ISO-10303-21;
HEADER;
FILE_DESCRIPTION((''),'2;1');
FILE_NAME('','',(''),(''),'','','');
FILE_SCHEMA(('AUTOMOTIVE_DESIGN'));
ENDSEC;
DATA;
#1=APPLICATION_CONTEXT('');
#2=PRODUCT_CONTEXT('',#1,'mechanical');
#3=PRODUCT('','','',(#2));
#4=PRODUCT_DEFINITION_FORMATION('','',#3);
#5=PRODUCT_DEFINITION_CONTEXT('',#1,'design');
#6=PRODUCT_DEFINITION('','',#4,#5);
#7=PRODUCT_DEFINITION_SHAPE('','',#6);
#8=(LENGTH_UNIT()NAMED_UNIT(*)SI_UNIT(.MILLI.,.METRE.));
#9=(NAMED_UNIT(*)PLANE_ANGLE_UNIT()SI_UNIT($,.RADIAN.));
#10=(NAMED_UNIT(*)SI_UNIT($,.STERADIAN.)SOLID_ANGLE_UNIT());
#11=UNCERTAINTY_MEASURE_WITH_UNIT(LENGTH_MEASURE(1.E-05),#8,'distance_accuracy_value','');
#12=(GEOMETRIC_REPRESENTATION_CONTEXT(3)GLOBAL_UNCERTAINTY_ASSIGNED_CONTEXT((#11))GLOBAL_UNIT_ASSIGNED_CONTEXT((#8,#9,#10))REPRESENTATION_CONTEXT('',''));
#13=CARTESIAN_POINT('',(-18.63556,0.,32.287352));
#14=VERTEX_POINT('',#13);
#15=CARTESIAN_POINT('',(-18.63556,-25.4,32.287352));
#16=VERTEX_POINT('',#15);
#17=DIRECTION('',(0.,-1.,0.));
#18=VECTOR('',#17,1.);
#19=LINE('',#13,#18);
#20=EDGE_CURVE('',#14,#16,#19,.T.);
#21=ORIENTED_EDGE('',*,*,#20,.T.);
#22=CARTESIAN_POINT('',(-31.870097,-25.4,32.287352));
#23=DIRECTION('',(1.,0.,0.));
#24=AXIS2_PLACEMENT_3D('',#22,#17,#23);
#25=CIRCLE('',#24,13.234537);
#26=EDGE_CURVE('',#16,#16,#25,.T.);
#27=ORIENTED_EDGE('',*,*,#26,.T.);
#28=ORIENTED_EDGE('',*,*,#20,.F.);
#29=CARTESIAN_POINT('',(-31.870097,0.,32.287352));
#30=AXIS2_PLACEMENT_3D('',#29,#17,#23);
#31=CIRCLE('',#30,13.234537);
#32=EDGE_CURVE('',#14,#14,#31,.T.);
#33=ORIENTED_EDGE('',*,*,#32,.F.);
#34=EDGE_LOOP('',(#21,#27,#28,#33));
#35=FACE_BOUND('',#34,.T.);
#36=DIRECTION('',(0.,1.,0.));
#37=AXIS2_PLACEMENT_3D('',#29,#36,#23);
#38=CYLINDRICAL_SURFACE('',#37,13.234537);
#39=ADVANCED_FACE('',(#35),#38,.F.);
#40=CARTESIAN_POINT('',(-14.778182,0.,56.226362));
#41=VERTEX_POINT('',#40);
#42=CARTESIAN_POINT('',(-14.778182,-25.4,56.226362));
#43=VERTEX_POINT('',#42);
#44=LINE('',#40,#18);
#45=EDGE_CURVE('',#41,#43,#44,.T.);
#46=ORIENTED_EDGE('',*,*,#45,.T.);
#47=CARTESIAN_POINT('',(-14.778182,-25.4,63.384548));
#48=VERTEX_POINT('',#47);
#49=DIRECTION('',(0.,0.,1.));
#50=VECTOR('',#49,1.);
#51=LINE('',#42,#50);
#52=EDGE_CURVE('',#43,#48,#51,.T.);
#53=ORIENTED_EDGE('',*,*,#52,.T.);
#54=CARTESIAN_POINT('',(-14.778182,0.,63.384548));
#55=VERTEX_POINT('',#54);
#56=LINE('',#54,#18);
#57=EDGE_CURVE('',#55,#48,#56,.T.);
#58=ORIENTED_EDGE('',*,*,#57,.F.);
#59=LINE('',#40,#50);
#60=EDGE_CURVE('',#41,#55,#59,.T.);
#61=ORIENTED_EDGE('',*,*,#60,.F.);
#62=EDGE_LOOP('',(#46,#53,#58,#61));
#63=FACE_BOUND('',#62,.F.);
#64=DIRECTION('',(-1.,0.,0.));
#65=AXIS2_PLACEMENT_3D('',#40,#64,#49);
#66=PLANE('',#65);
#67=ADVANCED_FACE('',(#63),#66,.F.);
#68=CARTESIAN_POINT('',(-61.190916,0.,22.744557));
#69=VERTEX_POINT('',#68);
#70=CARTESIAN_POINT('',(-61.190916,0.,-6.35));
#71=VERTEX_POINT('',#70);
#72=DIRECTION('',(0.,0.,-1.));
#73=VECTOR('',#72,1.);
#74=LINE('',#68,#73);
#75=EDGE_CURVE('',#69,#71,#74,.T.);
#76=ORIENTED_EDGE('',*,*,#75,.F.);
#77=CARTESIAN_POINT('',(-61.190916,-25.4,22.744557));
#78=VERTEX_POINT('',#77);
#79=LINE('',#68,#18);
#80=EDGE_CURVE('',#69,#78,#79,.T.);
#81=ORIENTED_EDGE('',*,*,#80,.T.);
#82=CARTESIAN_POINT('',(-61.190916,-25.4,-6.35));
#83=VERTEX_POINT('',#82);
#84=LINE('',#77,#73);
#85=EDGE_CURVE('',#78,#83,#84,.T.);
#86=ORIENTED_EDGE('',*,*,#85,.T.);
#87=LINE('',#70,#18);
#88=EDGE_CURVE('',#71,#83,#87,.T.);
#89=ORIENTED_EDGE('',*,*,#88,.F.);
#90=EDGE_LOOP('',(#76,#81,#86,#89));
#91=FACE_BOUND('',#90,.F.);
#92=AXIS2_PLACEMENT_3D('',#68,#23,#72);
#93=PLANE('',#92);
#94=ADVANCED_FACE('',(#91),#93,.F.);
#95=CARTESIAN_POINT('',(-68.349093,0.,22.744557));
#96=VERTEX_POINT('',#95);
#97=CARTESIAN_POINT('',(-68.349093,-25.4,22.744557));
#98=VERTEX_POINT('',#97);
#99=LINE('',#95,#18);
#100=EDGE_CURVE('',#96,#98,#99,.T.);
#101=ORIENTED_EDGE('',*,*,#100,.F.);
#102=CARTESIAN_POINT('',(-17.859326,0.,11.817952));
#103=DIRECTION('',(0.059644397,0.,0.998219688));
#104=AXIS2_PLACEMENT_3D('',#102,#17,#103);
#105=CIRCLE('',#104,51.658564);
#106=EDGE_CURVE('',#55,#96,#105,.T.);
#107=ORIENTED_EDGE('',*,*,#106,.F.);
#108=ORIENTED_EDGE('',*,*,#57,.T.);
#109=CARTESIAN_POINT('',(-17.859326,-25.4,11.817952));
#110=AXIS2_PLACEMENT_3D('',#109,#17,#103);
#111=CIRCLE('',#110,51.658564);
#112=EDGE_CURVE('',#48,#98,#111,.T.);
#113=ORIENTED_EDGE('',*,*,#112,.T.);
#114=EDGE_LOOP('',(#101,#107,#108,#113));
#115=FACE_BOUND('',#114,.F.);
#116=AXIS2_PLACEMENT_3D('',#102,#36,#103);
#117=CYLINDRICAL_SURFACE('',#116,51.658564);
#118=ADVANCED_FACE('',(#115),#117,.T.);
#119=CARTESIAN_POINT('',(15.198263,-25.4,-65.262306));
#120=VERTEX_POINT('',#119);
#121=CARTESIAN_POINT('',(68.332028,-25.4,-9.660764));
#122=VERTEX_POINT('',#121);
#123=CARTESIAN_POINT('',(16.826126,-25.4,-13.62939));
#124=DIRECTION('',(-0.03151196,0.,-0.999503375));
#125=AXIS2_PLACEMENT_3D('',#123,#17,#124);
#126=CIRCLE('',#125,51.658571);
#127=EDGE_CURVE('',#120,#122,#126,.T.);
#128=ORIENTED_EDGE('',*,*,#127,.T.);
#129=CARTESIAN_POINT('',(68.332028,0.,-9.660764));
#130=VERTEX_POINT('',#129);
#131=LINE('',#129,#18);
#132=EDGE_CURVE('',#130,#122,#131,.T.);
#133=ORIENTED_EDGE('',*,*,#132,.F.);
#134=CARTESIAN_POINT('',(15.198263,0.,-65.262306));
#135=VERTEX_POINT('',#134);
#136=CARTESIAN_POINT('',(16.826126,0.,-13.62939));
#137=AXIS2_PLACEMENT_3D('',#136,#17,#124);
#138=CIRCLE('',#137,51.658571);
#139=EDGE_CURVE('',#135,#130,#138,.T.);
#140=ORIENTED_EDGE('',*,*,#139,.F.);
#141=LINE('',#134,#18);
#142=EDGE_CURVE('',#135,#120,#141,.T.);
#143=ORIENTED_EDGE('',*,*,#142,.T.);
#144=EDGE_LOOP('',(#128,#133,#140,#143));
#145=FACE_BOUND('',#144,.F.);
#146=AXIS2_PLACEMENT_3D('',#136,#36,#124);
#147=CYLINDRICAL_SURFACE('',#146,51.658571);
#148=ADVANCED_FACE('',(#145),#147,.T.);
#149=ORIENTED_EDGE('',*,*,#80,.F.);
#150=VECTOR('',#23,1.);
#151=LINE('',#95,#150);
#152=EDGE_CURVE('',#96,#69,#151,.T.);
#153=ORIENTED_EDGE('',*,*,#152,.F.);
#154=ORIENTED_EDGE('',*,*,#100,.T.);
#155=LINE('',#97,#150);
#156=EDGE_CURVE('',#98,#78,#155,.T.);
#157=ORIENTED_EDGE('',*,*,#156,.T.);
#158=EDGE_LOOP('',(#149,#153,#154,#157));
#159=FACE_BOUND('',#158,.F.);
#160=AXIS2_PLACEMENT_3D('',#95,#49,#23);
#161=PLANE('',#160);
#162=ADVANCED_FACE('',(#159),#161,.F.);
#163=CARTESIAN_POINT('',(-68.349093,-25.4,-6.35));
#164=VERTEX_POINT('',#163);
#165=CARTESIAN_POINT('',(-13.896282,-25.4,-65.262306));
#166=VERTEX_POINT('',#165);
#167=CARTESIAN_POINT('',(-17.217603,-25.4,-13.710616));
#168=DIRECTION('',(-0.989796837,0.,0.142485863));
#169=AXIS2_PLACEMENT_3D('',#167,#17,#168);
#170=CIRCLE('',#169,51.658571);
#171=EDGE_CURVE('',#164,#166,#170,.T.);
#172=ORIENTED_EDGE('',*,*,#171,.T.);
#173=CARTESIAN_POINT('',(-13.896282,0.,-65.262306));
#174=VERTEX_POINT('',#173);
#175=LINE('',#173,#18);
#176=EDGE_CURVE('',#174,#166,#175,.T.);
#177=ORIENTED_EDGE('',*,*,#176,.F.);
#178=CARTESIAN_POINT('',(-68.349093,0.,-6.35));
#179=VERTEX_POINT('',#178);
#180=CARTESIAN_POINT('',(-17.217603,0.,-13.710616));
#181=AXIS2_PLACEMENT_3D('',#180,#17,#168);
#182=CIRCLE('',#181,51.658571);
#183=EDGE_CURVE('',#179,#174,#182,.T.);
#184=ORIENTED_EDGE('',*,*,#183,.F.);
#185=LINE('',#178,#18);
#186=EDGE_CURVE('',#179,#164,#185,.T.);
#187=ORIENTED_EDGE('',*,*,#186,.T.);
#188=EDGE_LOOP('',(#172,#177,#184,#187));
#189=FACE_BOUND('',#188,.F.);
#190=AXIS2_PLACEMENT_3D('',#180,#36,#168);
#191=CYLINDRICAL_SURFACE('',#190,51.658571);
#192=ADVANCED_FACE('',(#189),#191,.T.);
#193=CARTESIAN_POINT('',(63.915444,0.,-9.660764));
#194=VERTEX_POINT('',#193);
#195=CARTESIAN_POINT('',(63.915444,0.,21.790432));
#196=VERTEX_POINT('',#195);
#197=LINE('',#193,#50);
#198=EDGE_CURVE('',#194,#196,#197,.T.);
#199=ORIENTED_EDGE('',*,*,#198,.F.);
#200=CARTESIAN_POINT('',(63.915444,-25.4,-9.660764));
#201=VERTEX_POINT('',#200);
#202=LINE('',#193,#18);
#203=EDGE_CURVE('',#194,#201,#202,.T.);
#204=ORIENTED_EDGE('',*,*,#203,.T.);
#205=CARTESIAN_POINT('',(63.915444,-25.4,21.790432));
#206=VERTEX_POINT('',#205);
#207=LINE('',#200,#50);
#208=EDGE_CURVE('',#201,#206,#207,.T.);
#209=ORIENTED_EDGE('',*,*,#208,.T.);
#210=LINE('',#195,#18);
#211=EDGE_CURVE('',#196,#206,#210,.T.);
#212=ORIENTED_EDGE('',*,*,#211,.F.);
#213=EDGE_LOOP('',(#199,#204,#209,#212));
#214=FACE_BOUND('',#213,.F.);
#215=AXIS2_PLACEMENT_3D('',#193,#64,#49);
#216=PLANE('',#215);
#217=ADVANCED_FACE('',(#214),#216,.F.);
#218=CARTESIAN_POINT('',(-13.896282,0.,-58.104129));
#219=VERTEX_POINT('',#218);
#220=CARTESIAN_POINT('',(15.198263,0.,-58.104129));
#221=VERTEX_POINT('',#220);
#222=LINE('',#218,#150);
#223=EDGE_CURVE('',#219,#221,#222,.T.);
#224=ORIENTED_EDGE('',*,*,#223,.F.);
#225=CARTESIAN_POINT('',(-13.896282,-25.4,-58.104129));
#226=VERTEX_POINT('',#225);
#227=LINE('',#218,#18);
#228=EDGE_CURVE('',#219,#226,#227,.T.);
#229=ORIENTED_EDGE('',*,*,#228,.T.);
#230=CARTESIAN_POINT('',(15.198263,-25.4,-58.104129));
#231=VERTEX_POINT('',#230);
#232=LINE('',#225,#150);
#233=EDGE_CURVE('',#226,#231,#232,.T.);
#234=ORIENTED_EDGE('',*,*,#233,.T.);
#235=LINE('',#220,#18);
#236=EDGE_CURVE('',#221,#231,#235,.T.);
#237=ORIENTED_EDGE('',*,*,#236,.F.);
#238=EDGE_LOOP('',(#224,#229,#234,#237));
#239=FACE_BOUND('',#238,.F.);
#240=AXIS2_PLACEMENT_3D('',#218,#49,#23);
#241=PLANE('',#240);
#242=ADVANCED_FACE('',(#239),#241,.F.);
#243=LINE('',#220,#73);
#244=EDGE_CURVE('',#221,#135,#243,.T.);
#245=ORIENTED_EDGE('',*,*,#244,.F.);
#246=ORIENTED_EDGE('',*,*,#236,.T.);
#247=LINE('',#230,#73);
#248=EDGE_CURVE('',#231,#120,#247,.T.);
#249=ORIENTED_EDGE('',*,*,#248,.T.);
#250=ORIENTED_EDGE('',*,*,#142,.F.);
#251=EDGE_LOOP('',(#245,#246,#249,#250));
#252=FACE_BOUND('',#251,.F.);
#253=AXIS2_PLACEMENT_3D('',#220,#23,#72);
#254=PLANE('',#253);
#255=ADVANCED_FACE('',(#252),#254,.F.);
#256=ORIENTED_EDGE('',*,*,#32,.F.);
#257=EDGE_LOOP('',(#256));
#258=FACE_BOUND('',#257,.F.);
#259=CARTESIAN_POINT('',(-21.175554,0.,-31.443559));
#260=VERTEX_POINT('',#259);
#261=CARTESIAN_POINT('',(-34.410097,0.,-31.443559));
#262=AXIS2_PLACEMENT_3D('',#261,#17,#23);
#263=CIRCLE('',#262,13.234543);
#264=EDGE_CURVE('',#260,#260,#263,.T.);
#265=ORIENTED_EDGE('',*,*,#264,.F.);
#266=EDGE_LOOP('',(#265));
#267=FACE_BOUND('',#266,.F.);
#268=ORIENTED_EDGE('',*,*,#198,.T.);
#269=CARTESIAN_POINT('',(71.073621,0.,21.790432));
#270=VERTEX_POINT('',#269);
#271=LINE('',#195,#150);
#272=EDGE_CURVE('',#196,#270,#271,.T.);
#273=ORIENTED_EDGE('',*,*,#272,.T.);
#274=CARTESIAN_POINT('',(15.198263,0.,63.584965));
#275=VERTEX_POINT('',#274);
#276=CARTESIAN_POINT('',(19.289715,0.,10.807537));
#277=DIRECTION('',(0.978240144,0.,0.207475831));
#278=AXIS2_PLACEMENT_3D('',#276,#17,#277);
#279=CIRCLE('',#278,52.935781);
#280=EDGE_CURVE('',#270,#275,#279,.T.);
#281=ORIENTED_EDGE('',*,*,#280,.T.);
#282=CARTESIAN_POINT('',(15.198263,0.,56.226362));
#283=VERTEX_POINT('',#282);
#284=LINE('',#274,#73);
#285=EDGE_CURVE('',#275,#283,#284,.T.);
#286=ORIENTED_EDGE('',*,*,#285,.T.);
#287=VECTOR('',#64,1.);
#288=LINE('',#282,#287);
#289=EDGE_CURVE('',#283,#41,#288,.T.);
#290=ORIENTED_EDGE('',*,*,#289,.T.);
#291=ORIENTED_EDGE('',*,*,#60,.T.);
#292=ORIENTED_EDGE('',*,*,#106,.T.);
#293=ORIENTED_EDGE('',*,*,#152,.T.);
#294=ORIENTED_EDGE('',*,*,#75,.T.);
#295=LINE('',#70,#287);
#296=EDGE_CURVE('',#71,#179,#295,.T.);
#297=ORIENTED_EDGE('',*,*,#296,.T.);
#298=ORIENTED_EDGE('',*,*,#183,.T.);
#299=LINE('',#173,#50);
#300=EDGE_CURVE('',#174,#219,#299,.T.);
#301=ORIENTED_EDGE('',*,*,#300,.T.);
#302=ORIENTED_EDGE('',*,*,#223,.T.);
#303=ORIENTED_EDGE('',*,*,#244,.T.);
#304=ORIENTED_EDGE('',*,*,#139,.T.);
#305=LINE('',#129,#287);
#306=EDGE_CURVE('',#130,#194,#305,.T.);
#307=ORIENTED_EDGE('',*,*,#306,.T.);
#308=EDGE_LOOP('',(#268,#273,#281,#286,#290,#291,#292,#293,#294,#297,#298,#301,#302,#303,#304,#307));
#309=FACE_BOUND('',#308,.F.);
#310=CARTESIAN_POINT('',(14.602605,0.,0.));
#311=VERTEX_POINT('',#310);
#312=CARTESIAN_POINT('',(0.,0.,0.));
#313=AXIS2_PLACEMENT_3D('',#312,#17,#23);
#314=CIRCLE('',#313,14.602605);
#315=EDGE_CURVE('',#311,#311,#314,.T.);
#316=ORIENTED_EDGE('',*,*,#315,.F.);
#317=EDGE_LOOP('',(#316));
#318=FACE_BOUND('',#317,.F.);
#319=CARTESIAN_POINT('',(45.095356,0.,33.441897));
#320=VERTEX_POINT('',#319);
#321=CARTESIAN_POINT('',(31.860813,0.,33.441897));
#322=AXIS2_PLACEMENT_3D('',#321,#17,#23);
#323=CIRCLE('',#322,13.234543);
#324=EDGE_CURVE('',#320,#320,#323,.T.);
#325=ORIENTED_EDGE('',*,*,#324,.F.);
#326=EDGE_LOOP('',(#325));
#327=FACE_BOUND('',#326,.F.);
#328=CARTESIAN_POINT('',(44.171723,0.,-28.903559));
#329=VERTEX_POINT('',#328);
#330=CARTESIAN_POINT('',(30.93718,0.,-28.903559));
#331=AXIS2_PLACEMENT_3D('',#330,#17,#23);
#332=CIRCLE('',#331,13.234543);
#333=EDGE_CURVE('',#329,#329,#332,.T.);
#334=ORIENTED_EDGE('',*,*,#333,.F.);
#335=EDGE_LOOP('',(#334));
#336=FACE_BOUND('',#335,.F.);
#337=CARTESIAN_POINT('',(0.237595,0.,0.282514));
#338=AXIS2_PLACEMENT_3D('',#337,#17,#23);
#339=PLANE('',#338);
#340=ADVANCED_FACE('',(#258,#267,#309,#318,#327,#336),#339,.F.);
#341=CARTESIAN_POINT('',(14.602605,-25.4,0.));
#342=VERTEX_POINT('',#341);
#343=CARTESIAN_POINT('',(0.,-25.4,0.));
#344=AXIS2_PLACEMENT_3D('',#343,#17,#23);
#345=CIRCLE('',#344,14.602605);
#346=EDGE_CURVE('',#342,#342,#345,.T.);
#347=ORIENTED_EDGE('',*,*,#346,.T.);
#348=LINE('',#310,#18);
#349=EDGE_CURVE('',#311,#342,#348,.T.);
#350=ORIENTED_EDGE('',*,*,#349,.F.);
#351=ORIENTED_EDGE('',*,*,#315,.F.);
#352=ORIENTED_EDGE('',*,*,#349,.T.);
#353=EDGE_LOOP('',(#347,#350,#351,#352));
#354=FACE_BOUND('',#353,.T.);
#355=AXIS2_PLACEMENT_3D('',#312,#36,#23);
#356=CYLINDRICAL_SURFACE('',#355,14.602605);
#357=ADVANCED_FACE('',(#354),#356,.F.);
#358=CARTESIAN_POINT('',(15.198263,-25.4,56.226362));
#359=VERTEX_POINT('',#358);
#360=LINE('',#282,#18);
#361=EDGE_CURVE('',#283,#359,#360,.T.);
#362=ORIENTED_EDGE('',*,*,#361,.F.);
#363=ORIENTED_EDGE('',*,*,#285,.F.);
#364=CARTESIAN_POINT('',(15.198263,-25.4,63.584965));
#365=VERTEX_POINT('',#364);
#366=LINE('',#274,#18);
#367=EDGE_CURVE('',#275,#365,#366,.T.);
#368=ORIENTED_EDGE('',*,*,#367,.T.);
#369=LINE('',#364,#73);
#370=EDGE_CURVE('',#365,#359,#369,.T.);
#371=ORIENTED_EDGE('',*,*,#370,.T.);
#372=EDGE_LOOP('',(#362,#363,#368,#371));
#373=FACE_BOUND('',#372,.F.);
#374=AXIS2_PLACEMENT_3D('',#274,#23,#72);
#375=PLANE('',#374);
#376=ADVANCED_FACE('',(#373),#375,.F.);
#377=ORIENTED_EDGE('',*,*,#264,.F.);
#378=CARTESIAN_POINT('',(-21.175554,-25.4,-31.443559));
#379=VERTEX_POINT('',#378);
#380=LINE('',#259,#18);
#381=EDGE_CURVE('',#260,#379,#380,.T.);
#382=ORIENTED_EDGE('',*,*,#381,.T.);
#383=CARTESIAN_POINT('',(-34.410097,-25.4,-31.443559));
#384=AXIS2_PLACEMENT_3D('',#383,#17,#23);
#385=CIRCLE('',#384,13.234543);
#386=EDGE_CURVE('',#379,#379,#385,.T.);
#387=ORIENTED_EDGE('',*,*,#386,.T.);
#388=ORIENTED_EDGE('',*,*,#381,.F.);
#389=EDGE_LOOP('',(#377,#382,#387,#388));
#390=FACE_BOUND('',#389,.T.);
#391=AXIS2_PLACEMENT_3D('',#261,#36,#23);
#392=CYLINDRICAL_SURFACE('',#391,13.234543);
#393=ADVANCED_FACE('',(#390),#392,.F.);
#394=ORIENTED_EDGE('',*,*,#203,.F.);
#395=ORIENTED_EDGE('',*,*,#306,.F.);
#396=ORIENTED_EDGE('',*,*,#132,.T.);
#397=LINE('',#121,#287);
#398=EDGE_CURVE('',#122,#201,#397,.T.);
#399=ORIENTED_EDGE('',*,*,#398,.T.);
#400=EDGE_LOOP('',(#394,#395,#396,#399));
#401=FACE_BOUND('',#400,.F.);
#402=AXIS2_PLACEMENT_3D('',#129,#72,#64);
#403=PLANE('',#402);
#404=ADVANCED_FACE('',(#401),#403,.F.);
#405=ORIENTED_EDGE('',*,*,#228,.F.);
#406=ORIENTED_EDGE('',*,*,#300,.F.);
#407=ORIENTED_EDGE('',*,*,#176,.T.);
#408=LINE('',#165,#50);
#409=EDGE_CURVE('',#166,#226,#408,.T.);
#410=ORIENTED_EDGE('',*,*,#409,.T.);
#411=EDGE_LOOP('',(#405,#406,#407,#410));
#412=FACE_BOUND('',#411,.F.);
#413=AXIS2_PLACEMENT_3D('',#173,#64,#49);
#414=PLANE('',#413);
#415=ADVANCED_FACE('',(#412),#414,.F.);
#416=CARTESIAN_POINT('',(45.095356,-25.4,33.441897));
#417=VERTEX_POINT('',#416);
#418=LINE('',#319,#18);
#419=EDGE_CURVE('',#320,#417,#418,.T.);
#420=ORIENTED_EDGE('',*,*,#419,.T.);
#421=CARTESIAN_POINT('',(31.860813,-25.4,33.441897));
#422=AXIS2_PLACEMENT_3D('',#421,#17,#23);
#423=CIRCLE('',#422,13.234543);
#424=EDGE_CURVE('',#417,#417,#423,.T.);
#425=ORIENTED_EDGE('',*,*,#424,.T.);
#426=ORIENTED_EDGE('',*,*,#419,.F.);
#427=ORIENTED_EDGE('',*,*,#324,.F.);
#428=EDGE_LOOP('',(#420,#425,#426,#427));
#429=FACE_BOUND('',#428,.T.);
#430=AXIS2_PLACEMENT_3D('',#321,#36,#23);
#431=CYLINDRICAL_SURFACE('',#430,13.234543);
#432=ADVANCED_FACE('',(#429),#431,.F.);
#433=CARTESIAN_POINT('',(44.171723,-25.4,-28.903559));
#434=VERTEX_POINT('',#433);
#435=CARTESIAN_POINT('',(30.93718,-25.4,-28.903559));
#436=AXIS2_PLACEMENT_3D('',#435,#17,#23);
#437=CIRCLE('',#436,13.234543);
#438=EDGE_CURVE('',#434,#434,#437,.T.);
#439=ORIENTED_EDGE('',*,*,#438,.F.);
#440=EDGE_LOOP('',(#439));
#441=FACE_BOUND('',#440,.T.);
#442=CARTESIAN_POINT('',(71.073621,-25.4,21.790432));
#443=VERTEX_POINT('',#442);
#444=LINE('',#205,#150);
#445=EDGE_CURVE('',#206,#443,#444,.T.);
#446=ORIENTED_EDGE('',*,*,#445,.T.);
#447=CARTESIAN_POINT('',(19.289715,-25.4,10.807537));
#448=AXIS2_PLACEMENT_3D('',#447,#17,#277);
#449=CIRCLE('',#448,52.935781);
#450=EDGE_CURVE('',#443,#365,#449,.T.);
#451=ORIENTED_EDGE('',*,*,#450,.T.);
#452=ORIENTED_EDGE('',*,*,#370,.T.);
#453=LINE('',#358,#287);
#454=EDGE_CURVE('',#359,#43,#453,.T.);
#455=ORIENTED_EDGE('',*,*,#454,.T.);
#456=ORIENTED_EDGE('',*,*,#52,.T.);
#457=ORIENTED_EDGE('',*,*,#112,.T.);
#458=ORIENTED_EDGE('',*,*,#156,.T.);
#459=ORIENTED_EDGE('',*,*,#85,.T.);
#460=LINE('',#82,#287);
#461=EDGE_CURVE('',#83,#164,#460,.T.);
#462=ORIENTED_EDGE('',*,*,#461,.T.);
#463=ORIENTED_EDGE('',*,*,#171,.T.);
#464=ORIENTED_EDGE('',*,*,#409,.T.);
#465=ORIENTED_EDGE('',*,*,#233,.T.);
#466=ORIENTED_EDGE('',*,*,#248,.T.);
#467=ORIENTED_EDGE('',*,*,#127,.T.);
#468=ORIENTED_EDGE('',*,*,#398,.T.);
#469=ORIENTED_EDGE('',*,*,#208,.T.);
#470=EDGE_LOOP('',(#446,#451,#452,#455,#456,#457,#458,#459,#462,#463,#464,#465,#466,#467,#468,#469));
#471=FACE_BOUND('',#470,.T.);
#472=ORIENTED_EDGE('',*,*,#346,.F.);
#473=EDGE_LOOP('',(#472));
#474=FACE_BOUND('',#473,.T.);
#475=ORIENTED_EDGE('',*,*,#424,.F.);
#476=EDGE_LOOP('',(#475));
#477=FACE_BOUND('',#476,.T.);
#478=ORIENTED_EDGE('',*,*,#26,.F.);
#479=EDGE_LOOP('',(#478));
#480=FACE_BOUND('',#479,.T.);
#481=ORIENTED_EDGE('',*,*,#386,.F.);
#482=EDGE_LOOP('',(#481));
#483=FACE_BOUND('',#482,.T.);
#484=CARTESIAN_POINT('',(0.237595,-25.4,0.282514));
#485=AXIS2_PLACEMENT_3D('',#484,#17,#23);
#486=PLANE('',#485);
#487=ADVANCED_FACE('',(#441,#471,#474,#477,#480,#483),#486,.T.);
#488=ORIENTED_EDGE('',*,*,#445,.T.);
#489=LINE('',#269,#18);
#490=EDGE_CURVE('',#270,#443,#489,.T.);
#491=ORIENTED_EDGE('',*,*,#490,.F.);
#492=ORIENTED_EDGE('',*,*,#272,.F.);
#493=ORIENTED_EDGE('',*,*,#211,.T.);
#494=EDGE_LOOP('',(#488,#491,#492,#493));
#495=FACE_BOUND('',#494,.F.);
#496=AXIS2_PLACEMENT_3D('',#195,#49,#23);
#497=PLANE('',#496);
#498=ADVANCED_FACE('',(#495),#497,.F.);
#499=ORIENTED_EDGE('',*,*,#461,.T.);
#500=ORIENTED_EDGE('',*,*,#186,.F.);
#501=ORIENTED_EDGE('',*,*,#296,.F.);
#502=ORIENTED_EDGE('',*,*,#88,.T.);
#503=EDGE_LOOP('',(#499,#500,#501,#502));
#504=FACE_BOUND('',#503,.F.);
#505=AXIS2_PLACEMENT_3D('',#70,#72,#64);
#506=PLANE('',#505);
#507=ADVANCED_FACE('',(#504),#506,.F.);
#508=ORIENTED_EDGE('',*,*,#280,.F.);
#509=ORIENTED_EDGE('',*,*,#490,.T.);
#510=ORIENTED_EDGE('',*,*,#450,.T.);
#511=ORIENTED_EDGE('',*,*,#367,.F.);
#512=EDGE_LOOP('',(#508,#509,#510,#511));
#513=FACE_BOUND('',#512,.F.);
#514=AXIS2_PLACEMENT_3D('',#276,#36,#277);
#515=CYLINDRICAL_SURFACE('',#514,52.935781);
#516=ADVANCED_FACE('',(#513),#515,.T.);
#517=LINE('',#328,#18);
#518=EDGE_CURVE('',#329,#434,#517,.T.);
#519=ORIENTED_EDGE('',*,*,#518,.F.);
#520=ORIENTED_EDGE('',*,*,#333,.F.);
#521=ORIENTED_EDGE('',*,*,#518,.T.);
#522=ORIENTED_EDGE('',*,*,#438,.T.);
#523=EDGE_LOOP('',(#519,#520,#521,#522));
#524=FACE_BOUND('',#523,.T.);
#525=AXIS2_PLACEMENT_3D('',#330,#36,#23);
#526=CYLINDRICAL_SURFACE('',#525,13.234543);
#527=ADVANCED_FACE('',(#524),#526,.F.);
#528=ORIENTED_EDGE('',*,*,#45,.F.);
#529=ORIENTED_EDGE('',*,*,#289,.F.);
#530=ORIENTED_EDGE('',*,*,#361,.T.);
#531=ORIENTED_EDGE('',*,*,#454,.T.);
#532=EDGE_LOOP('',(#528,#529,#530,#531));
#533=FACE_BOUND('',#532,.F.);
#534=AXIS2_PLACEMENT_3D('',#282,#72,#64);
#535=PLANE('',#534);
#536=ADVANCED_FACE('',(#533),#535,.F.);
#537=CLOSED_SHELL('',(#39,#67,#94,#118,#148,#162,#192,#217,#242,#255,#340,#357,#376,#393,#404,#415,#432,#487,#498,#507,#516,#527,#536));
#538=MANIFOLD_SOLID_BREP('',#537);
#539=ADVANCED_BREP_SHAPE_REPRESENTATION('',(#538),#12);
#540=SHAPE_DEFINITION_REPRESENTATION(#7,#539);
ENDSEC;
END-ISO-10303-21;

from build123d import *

# Parameters (mm, degrees)
F0_R     = 13.234543
F0_R_2   = 14.602605
F0_R_3   = 13.234537
F1_DEPTH = 25.4


with BuildPart() as f1:
    # F0 (on Front) → F1 (new body)
    with BuildSketch(Plane.XZ):
        with BuildLine():
            Line((-68.349093, 22.744557), (-61.190916, 22.744557))
            Line((-61.190916, 22.744557), (-61.190916, -6.35))
            Line((-61.190916, -6.35), (-68.349093, -6.35))
            ThreePointArc((-68.349093, -6.35), (-55.153312, -48.774699), (-13.896282, -65.262306))
            Line((-13.896282, -65.262306), (-13.896282, -58.104129))
            Line((-13.896282, -58.104129), (15.198263, -58.104129))
            Line((15.198263, -58.104129), (15.198263, -65.262306))
            ThreePointArc((15.198263, -65.262306), (54.17365, -49.31931), (68.332028, -9.660764))
            Line((68.332028, -9.660764), (63.915444, -9.660764))
            Line((63.915444, -9.660764), (63.915444, 21.790432))
            Line((63.915444, 21.790432), (71.073621, 21.790432))
            ThreePointArc((71.073621, 21.790432), (50.996785, 53.196906), (15.198263, 63.584965))
            Line((15.198263, 63.584965), (15.198263, 56.226362))
            Line((15.198263, 56.226362), (-14.778182, 56.226362))
            Line((-14.778182, 56.226362), (-14.778182, 63.384548))
            ThreePointArc((-14.778182, 63.384548), (-49.081059, 52.973883), (-68.349093, 22.744557))
        make_face()
        with Locations((-34.410097, -31.443559)):
            Circle(F0_R, mode=Mode.SUBTRACT)
        with Locations((30.93718, -28.903559)):
            Circle(F0_R, mode=Mode.SUBTRACT)
        Circle(F0_R_2, mode=Mode.SUBTRACT)
        with Locations((-31.870097, 32.287352)):
            Circle(F0_R_3, mode=Mode.SUBTRACT)
        with Locations((31.860813, 33.441897)):
            Circle(F0_R, mode=Mode.SUBTRACT)
    extrude(amount=F1_DEPTH)


solid = f1.part
